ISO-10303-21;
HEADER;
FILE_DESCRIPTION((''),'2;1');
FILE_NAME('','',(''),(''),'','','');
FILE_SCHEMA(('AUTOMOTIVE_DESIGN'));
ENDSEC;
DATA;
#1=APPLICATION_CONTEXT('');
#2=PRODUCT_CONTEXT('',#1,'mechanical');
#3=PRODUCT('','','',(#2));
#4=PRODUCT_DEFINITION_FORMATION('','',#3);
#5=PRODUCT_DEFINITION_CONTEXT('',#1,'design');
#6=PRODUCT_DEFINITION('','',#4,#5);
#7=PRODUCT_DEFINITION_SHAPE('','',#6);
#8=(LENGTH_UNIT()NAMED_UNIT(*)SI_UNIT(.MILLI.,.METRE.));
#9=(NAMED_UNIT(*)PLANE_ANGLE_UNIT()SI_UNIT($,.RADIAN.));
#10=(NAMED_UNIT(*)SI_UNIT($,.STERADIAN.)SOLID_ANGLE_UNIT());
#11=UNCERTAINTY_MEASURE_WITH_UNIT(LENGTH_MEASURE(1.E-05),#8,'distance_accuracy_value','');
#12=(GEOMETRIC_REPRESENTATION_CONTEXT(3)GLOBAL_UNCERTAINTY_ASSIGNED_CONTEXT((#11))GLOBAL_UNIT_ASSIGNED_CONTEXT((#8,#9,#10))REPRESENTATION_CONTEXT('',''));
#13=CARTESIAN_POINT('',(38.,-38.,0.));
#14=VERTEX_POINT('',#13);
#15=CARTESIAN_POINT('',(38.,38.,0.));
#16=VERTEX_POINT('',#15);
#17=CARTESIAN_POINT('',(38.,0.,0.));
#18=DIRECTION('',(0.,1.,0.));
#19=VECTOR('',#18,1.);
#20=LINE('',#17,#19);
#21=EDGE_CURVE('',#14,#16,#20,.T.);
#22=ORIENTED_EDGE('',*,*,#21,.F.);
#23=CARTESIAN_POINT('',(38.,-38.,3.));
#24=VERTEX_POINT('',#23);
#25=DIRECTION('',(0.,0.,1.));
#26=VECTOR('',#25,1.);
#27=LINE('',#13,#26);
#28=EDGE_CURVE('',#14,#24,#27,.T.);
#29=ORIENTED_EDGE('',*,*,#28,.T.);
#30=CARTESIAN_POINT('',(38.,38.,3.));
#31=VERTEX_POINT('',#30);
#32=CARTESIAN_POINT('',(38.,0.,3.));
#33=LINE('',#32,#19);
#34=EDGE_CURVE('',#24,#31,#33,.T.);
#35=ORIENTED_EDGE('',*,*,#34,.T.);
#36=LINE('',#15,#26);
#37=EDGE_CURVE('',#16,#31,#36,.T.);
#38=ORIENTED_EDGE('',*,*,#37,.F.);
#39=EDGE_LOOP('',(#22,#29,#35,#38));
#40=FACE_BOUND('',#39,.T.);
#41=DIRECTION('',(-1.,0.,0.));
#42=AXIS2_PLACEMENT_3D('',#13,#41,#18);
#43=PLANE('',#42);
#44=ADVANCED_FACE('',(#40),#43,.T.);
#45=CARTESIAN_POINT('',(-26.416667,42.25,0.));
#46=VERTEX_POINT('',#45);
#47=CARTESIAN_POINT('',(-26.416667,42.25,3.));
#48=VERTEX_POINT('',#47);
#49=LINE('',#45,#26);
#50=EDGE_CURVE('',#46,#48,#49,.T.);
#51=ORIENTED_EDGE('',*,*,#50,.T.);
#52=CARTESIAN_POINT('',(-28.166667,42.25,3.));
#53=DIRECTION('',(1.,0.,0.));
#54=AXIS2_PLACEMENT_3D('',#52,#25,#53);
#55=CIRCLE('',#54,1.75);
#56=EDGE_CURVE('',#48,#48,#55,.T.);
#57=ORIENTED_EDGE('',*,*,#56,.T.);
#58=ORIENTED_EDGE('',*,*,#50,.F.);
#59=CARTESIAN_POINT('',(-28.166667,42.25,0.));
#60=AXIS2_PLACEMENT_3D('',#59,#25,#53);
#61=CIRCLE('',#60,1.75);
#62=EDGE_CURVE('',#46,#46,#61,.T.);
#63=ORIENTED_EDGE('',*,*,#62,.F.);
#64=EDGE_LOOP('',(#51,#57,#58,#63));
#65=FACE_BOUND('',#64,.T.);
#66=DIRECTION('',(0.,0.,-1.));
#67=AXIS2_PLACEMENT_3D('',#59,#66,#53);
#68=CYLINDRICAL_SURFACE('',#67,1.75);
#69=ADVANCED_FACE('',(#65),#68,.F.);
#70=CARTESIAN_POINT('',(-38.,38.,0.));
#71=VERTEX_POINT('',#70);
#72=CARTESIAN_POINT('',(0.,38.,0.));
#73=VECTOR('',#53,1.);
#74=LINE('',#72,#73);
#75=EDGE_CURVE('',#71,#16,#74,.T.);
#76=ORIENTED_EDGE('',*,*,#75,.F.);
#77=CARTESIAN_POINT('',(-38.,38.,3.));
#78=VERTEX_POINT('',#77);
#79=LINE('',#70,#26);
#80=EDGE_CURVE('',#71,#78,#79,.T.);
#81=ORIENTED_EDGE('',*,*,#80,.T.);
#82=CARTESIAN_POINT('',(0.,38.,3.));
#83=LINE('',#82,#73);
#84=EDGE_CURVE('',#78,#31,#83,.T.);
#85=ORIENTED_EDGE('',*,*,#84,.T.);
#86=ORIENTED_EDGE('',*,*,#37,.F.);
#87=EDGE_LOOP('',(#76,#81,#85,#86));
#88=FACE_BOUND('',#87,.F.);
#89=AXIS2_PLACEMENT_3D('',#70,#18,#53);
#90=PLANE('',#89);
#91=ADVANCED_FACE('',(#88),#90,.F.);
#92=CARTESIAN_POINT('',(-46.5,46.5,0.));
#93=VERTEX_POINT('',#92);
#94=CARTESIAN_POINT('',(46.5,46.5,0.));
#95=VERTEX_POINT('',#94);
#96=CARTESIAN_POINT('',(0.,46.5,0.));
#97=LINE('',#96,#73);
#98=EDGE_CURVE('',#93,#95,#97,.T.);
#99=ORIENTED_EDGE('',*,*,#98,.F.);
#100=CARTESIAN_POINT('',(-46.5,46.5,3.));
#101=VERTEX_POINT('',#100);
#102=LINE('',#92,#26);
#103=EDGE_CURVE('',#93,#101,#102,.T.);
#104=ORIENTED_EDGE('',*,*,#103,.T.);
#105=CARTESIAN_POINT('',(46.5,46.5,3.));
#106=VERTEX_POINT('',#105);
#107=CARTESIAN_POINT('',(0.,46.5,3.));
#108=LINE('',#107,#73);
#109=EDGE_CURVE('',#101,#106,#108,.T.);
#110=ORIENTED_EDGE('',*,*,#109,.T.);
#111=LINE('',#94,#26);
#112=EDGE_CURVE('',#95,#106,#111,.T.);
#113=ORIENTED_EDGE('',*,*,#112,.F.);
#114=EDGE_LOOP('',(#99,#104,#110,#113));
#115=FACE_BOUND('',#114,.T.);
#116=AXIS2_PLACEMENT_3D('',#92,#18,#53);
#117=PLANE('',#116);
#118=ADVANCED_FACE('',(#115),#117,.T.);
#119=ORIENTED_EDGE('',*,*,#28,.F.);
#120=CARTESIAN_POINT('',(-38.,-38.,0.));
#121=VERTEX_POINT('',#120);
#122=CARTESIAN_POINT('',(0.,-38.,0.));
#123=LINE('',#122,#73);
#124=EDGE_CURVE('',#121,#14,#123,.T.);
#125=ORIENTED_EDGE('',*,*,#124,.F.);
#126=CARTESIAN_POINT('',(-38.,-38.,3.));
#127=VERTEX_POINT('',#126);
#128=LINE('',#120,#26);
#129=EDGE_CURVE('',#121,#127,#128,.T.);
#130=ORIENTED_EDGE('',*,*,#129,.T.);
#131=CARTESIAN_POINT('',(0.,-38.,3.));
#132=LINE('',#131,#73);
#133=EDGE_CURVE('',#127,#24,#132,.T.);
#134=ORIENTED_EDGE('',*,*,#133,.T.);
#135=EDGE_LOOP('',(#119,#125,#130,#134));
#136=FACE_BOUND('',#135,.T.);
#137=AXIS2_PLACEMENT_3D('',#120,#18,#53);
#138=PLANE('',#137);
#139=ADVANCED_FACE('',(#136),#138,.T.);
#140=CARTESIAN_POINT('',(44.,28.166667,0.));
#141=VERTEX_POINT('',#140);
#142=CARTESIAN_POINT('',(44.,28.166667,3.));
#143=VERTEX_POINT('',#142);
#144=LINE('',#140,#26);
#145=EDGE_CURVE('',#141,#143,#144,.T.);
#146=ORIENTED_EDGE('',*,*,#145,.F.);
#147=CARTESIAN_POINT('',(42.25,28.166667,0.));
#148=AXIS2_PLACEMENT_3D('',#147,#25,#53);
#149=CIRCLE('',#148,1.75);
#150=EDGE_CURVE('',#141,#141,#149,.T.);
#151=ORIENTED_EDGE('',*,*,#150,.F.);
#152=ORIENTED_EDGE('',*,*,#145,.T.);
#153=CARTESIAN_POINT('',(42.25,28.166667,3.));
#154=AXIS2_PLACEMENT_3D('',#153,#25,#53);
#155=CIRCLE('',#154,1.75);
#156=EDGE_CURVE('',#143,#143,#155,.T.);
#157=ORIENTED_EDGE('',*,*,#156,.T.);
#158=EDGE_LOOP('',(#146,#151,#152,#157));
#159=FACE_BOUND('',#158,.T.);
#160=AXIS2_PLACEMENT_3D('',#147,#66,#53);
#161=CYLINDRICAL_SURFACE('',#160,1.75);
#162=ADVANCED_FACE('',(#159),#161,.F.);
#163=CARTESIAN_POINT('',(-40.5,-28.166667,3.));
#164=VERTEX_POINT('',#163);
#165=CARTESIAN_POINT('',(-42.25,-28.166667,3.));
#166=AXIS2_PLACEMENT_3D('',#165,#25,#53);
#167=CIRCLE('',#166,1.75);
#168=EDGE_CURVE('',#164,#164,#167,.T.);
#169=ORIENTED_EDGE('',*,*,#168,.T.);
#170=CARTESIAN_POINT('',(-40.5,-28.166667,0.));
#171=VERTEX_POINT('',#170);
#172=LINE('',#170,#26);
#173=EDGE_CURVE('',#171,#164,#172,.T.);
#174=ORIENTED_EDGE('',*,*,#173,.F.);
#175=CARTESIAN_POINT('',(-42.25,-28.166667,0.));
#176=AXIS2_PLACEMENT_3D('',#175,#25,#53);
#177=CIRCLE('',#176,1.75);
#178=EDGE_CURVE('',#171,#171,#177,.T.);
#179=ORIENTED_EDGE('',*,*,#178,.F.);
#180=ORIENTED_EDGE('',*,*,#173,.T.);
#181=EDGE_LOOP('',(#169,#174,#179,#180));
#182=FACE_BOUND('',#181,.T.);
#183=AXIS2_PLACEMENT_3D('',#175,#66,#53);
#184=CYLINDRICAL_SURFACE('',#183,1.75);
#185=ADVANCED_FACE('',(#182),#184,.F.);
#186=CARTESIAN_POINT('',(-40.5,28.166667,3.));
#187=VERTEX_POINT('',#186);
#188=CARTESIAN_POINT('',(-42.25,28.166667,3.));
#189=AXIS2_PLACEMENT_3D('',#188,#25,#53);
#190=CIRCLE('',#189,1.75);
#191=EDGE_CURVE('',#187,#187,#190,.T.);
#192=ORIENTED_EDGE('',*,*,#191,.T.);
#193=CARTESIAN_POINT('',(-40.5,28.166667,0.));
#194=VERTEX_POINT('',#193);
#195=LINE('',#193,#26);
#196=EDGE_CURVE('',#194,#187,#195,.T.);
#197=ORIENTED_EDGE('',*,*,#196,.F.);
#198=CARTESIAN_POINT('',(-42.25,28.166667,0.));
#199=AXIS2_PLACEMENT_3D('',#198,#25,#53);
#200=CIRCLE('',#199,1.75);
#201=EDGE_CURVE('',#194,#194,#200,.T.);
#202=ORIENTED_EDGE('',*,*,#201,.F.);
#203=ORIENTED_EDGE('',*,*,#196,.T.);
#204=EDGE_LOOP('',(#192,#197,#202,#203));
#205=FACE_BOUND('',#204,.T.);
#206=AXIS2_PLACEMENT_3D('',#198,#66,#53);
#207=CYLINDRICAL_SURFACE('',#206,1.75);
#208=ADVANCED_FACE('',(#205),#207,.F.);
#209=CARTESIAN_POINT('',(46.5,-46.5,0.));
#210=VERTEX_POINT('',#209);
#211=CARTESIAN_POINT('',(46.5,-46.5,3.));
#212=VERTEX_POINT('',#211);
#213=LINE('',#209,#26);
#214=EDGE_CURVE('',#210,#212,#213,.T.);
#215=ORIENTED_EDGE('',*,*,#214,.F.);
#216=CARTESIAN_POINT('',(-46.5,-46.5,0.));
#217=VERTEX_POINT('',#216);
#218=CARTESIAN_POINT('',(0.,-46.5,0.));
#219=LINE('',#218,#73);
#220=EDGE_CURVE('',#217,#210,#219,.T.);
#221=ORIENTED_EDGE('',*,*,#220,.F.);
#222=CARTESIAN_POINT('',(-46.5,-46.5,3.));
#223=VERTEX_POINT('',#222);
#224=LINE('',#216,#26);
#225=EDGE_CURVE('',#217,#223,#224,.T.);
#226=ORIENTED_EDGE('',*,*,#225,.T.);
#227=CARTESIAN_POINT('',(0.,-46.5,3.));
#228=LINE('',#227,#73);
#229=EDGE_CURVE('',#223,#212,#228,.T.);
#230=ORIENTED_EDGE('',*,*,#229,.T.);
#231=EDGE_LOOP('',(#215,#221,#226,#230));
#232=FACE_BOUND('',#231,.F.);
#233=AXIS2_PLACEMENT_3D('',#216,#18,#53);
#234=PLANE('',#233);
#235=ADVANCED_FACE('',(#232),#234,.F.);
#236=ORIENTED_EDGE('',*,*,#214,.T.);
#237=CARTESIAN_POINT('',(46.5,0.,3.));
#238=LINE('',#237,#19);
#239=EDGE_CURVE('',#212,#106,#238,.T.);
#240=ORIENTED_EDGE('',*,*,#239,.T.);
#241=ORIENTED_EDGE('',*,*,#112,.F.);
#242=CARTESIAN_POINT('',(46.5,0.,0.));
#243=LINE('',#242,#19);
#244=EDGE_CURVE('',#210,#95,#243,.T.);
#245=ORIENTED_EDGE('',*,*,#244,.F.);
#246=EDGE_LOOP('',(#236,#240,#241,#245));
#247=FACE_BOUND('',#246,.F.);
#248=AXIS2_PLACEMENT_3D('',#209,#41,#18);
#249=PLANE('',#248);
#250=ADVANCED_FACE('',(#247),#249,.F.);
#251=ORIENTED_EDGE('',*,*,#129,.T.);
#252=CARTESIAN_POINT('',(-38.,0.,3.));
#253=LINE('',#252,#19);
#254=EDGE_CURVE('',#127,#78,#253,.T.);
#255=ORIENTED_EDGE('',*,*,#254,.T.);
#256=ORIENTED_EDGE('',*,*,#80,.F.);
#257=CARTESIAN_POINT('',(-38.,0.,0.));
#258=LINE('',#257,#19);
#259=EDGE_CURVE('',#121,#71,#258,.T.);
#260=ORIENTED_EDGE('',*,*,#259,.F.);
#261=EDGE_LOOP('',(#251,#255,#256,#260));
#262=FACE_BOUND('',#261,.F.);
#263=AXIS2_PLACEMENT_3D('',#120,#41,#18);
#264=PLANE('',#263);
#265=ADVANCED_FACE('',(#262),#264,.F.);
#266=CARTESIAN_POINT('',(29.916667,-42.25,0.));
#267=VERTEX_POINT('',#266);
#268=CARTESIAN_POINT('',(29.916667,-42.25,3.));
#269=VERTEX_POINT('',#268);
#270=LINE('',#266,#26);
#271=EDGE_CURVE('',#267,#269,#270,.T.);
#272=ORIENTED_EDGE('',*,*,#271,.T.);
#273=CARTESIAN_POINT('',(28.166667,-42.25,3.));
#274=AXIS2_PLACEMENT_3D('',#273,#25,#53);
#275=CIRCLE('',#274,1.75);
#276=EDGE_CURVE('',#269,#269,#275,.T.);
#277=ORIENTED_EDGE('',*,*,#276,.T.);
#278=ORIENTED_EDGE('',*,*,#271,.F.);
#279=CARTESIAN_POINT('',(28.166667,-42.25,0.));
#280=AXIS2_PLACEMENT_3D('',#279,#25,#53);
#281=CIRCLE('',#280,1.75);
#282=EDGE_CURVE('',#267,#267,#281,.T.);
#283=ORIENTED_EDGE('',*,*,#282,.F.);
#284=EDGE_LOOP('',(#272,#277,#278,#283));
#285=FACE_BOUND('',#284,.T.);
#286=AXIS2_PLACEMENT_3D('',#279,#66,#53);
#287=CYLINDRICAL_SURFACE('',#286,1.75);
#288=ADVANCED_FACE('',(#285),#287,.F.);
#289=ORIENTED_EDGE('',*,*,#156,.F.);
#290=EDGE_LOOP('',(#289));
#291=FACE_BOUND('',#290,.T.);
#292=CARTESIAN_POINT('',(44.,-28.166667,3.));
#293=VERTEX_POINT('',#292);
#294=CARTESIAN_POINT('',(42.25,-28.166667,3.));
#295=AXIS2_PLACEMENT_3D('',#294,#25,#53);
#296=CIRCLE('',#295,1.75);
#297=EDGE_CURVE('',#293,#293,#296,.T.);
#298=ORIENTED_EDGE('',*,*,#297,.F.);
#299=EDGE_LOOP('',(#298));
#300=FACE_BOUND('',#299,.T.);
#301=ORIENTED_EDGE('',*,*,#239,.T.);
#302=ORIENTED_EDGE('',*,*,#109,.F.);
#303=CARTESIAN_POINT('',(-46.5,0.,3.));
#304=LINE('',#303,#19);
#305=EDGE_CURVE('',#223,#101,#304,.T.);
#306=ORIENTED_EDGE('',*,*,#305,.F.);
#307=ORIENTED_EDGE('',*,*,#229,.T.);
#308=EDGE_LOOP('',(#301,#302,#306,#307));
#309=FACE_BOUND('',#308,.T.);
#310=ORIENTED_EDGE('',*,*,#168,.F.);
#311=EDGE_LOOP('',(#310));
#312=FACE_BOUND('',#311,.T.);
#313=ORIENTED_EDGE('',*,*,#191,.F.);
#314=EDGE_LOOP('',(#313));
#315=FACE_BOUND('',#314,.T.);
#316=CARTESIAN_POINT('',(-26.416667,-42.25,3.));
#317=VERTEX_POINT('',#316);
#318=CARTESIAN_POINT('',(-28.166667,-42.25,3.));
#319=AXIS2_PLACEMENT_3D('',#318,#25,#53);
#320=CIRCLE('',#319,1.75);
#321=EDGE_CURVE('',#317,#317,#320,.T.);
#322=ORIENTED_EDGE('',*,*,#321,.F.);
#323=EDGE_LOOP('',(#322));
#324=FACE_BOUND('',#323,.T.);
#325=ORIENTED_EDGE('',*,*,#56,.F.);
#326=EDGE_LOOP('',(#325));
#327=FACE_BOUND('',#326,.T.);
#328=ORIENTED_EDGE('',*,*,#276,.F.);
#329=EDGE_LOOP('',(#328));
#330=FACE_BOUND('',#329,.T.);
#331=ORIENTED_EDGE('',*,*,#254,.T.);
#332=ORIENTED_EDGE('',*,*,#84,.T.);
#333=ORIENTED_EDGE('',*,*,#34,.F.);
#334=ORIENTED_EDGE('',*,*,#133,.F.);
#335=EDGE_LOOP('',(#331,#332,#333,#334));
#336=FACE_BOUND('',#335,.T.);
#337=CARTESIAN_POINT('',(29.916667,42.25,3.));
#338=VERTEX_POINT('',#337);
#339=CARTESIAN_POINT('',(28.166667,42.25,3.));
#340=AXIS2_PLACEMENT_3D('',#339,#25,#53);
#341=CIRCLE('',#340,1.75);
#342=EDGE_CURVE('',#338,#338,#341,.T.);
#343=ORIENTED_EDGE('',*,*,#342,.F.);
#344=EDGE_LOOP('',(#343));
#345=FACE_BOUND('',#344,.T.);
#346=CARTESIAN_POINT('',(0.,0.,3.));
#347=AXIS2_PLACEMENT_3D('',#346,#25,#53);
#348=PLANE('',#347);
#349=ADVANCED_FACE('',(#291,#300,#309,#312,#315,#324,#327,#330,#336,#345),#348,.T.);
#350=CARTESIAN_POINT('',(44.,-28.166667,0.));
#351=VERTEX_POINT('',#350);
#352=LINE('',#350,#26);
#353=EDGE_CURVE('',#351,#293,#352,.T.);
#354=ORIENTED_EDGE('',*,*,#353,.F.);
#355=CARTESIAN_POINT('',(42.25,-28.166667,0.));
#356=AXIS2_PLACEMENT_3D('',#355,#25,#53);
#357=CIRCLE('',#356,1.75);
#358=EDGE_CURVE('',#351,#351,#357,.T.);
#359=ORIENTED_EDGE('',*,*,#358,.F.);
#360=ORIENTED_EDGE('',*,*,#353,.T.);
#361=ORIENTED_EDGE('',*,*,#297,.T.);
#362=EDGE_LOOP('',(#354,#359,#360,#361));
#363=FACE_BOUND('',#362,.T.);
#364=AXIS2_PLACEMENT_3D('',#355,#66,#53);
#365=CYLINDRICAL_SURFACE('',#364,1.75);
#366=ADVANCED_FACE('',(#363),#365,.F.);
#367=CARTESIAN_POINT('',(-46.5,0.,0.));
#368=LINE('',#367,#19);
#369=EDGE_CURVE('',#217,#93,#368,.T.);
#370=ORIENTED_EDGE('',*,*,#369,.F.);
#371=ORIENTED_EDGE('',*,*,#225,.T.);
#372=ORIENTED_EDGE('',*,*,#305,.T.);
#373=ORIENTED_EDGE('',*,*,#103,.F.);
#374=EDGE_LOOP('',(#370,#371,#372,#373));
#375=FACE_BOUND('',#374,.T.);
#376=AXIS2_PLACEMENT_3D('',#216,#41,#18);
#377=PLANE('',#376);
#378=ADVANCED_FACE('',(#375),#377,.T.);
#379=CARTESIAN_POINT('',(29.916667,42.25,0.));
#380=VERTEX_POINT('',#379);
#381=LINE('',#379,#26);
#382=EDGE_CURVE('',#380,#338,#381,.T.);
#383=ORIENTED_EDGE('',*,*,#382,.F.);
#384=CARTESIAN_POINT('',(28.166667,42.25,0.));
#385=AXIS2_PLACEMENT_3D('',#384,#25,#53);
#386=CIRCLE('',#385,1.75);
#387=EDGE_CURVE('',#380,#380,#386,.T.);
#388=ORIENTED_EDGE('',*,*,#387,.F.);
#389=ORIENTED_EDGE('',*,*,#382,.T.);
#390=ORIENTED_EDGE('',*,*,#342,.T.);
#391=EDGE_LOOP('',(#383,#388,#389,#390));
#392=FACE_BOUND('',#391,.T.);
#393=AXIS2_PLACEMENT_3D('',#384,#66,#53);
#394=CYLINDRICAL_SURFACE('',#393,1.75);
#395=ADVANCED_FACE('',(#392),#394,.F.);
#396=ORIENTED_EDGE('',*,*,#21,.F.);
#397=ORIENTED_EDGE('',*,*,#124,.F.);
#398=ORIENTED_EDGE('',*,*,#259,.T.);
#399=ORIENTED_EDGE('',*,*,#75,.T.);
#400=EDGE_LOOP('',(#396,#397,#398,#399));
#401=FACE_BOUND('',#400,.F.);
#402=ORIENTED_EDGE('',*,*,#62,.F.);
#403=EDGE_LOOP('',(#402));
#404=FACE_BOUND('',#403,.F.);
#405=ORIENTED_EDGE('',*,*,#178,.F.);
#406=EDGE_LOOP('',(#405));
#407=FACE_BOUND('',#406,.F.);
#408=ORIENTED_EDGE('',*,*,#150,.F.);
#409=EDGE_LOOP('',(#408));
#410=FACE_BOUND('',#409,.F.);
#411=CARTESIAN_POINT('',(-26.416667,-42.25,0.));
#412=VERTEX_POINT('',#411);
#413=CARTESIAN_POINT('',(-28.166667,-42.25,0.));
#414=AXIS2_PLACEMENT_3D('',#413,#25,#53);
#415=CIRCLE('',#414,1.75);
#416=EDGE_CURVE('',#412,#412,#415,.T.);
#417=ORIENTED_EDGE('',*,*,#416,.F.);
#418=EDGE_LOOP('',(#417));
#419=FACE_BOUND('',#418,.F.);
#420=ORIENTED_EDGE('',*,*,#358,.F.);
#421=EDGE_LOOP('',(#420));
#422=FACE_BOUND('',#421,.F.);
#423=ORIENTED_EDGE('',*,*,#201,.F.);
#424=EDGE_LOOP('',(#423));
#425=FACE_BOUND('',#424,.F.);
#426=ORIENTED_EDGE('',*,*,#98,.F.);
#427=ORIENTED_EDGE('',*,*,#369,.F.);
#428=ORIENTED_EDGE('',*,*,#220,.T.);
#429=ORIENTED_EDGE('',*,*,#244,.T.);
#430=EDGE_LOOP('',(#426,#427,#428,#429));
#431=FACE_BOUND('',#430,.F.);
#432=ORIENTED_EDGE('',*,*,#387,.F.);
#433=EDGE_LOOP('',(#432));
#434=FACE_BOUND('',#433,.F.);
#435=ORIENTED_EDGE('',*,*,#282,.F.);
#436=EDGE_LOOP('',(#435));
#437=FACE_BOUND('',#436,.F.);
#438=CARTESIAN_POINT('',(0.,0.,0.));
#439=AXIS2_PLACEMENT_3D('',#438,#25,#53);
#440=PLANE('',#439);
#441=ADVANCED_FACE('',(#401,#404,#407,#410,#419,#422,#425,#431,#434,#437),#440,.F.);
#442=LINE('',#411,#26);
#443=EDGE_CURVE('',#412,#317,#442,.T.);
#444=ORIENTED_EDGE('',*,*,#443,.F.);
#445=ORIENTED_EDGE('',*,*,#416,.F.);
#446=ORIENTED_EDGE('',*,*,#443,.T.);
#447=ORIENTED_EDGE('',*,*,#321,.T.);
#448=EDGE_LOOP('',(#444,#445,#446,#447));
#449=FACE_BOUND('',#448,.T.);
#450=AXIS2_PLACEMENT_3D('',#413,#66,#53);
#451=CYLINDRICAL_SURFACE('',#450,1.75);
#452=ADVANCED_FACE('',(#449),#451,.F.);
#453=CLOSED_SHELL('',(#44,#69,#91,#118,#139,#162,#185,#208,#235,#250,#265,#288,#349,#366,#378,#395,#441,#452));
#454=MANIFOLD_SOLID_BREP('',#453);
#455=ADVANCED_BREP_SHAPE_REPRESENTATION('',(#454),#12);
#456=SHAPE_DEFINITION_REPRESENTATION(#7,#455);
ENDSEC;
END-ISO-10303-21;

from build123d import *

# Parameters (mm, degrees)
SKETCH_W   = 93
SKETCH_H   = 93
SKETCH_R   = 1.75
SKETCH_W_2 = 76
SKETCH_H_2 = 76
PAD_DEPTH  = 3


with BuildPart() as part:
    # Sketch → Pad (new body)
    with BuildSketch(Plane.XY):
        Rectangle(SKETCH_W, SKETCH_H)
        with Locations((-28.166667, 42.25)):
            Circle(SKETCH_R, mode=Mode.SUBTRACT)
        with Locations((28.166667, 42.25)):
            Circle(SKETCH_R, mode=Mode.SUBTRACT)
        with Locations((42.25, 28.166667)):
            Circle(SKETCH_R, mode=Mode.SUBTRACT)
        with Locations((42.25, -28.166667)):
            Circle(SKETCH_R, mode=Mode.SUBTRACT)
        with Locations((28.166667, -42.25)):
            Circle(SKETCH_R, mode=Mode.SUBTRACT)
        with Locations((-28.166667, -42.25)):
            Circle(SKETCH_R, mode=Mode.SUBTRACT)
        with Locations((-42.25, -28.166667)):
            Circle(SKETCH_R, mode=Mode.SUBTRACT)
        with Locations((-42.25, 28.166667)):
            Circle(SKETCH_R, mode=Mode.SUBTRACT)
        Rectangle(SKETCH_W_2, SKETCH_H_2, mode=Mode.SUBTRACT)
    extrude(amount=PAD_DEPTH)


solid = part.part
